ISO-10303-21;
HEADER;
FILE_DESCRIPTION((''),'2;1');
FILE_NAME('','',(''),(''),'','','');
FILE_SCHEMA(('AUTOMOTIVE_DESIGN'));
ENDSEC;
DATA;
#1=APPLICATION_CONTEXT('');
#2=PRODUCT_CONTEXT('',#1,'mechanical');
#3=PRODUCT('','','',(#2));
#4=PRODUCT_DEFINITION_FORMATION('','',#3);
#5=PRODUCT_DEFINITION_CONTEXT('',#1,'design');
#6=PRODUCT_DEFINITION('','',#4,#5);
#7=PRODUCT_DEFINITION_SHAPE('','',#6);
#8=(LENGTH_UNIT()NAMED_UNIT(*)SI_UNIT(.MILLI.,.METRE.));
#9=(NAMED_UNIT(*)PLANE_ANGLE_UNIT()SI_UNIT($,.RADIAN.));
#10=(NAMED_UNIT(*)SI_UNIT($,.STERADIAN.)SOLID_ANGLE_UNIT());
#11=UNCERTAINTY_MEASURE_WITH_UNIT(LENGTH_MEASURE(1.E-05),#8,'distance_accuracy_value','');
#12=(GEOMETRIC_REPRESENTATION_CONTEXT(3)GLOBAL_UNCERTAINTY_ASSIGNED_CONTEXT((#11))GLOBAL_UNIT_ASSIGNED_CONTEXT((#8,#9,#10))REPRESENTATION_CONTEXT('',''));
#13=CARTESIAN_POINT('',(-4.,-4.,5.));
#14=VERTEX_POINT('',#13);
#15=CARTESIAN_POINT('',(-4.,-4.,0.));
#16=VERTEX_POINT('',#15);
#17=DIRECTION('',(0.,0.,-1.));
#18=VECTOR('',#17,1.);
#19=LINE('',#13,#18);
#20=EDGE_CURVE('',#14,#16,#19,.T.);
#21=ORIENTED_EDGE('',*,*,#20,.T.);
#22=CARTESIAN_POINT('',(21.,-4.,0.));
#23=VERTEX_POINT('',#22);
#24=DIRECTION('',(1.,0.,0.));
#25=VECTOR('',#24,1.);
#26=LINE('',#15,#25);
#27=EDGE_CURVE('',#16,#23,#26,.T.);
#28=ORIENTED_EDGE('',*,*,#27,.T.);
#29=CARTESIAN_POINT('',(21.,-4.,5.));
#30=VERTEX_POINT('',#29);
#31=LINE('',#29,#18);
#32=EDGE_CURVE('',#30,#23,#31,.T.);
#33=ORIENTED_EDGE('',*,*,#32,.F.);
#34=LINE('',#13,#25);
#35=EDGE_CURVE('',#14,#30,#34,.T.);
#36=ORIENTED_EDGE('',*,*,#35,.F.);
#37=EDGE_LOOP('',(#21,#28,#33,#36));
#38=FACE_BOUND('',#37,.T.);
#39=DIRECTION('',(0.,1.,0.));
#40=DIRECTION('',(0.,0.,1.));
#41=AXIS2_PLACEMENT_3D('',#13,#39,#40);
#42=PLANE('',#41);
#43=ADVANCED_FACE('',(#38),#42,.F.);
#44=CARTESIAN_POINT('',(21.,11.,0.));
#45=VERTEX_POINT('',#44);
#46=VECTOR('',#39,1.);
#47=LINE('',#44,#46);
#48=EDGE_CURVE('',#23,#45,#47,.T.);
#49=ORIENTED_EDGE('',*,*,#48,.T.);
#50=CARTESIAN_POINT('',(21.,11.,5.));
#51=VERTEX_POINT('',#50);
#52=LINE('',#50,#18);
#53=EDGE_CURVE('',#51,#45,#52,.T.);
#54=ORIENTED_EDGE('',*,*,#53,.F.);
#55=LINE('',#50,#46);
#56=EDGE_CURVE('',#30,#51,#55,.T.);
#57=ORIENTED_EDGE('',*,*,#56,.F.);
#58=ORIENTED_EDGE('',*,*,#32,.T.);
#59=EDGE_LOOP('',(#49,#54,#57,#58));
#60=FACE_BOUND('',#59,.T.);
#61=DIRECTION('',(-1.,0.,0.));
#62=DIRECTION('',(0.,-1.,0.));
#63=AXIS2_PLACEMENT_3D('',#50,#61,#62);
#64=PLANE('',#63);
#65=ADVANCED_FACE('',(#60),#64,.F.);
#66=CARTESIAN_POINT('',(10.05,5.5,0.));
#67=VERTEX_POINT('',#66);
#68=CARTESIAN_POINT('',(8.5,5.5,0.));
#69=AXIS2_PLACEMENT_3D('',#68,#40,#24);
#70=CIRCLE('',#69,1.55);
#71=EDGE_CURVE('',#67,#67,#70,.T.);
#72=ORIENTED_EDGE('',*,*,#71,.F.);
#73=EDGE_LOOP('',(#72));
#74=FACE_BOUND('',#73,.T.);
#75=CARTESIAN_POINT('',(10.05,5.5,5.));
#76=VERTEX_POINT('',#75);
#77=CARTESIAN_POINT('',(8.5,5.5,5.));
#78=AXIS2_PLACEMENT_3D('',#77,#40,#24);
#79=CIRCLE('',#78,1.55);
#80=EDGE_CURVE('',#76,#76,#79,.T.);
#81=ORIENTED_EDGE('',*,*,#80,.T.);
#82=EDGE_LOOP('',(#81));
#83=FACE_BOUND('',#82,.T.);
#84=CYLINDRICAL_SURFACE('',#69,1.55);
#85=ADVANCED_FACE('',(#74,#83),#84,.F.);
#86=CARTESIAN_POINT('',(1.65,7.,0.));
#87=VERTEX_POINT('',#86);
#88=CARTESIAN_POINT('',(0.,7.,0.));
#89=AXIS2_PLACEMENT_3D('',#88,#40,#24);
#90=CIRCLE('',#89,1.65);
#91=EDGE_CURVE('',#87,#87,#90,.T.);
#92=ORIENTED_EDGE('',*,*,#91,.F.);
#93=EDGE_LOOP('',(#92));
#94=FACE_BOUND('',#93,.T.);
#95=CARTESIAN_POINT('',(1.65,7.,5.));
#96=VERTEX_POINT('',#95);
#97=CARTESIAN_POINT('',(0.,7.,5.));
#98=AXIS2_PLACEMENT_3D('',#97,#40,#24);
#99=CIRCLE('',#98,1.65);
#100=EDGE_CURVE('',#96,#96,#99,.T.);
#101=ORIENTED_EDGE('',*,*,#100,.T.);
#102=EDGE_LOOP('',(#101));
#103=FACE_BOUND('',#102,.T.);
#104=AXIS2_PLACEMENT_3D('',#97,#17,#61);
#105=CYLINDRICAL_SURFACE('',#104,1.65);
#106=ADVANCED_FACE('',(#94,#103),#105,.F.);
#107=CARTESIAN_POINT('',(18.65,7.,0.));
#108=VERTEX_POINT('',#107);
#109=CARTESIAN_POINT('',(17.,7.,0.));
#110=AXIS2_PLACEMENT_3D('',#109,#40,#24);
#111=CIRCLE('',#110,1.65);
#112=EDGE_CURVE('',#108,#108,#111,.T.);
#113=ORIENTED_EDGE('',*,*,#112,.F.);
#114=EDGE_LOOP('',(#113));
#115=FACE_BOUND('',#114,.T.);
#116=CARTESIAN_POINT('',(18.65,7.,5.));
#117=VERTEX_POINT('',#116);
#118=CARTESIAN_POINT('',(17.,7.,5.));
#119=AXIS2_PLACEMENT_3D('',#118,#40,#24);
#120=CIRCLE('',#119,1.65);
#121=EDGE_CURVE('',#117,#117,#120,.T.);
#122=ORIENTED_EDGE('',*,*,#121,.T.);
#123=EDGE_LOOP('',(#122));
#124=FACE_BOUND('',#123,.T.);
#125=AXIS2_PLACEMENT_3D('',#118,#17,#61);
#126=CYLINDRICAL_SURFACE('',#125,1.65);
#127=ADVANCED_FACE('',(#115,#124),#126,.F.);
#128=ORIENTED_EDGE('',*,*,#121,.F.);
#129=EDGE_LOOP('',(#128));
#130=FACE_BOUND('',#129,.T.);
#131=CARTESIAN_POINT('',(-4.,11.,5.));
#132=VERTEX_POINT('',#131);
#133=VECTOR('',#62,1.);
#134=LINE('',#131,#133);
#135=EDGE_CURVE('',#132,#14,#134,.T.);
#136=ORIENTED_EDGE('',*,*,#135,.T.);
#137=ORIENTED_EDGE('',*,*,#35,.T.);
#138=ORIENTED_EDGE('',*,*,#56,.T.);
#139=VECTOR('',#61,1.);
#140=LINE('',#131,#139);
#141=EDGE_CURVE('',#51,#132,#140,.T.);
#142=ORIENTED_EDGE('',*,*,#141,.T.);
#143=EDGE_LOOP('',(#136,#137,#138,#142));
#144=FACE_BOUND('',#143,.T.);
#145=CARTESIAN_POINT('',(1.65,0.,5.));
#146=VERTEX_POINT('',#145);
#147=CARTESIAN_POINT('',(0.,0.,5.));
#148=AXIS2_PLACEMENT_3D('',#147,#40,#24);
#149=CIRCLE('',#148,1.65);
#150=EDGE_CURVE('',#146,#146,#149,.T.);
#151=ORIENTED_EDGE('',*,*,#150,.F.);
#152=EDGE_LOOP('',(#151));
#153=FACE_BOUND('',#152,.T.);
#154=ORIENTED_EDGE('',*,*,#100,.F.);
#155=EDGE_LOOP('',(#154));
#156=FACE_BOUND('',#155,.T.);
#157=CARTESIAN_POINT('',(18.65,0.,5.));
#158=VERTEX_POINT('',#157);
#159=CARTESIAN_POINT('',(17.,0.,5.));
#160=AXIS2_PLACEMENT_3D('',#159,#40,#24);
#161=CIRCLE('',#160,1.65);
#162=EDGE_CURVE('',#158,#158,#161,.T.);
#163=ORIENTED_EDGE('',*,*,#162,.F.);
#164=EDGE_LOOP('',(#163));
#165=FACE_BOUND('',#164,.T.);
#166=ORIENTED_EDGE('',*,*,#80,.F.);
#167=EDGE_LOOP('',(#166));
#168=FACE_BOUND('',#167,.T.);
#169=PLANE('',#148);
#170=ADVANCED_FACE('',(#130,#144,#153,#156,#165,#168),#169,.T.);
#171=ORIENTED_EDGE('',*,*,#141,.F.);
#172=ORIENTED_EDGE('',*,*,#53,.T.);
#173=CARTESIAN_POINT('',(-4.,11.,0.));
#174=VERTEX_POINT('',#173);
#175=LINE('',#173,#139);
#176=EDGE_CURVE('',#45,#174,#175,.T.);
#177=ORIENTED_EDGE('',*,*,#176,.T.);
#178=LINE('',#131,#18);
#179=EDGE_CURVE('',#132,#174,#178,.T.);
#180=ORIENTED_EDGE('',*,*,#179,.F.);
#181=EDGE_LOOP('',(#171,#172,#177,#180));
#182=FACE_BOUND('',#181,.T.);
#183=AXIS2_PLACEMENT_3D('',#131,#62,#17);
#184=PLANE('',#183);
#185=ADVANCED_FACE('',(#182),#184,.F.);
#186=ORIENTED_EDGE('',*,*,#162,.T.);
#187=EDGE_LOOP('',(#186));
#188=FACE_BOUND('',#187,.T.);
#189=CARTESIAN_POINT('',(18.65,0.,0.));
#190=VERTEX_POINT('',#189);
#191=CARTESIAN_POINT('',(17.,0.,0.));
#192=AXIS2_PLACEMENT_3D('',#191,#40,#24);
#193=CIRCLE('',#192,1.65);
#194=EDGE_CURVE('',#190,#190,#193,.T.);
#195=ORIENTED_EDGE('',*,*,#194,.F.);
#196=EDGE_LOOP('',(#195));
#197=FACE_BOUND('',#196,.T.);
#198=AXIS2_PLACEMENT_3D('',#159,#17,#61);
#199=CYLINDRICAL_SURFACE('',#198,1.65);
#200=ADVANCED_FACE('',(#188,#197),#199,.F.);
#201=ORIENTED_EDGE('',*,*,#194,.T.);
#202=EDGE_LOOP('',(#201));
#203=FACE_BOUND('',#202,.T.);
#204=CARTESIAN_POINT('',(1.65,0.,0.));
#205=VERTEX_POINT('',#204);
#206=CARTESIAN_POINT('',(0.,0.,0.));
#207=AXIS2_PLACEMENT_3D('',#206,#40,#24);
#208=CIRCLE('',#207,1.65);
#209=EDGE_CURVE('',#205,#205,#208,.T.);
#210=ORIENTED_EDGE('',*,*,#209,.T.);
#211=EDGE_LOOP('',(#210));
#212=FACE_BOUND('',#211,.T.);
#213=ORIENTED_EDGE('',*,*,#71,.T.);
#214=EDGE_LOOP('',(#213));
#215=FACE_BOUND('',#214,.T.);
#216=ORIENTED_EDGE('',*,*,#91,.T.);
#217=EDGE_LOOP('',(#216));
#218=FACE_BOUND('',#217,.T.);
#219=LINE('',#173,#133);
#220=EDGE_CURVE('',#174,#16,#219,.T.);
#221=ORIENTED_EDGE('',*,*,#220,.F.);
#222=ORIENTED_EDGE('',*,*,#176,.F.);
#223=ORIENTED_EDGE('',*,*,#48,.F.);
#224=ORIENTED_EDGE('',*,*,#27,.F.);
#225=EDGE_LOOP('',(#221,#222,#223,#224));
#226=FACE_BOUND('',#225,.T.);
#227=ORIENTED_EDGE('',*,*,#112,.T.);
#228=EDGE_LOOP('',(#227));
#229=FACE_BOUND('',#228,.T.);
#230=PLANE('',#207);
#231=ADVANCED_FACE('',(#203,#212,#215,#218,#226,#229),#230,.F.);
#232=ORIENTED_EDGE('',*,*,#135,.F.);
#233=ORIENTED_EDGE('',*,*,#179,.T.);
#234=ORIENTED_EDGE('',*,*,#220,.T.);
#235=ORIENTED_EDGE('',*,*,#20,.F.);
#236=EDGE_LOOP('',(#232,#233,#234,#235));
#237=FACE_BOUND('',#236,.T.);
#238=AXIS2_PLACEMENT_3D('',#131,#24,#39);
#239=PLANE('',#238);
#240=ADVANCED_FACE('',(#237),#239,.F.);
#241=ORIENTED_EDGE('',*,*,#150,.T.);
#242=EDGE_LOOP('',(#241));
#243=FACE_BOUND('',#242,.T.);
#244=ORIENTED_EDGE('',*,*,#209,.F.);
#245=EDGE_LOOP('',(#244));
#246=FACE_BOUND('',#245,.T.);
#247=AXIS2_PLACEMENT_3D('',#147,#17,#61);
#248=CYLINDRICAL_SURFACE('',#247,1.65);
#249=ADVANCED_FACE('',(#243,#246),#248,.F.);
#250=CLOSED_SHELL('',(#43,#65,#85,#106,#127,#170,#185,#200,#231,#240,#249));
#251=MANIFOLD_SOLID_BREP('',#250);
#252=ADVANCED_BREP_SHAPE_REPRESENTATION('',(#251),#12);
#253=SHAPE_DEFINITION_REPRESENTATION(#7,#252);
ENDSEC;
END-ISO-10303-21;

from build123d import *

# Parameters (mm, degrees)
SZKIC1_W                    = 25
SZKIC1_H                    = 15
SZKIC1_R                    = 1.65
DODANIE_WYCI_GNI_CIE1_DEPTH = 5
SZKIC2_R                    = 1.55
WYTNIJ_WYCI_GNI_CIE1_DEPTH  = 5


with BuildPart() as part:
    # Szkic1 → Dodanie-wyciągnięcie1 (new body)
    with BuildSketch(Plane.XY):
        with Locations((8.5, 3.5)):
            Rectangle(SZKIC1_W, SZKIC1_H)
        Circle(SZKIC1_R, mode=Mode.SUBTRACT)
        with Locations((0, 7)):
            Circle(SZKIC1_R, mode=Mode.SUBTRACT)
        with Locations((17, 0)):
            Circle(SZKIC1_R, mode=Mode.SUBTRACT)
        with Locations((17, 7)):
            Circle(SZKIC1_R, mode=Mode.SUBTRACT)
    extrude(amount=DODANIE_WYCI_GNI_CIE1_DEPTH)

    # Szkic2 → Wytnij-wyciągnięcie1 (cut)
    with BuildSketch(Plane.XY.offset(5)):
        with Locations((8.5, 5.5)):
            Circle(SZKIC2_R)
    extrude(amount=-WYTNIJ_WYCI_GNI_CIE1_DEPTH, mode=Mode.SUBTRACT)


solid = part.part
